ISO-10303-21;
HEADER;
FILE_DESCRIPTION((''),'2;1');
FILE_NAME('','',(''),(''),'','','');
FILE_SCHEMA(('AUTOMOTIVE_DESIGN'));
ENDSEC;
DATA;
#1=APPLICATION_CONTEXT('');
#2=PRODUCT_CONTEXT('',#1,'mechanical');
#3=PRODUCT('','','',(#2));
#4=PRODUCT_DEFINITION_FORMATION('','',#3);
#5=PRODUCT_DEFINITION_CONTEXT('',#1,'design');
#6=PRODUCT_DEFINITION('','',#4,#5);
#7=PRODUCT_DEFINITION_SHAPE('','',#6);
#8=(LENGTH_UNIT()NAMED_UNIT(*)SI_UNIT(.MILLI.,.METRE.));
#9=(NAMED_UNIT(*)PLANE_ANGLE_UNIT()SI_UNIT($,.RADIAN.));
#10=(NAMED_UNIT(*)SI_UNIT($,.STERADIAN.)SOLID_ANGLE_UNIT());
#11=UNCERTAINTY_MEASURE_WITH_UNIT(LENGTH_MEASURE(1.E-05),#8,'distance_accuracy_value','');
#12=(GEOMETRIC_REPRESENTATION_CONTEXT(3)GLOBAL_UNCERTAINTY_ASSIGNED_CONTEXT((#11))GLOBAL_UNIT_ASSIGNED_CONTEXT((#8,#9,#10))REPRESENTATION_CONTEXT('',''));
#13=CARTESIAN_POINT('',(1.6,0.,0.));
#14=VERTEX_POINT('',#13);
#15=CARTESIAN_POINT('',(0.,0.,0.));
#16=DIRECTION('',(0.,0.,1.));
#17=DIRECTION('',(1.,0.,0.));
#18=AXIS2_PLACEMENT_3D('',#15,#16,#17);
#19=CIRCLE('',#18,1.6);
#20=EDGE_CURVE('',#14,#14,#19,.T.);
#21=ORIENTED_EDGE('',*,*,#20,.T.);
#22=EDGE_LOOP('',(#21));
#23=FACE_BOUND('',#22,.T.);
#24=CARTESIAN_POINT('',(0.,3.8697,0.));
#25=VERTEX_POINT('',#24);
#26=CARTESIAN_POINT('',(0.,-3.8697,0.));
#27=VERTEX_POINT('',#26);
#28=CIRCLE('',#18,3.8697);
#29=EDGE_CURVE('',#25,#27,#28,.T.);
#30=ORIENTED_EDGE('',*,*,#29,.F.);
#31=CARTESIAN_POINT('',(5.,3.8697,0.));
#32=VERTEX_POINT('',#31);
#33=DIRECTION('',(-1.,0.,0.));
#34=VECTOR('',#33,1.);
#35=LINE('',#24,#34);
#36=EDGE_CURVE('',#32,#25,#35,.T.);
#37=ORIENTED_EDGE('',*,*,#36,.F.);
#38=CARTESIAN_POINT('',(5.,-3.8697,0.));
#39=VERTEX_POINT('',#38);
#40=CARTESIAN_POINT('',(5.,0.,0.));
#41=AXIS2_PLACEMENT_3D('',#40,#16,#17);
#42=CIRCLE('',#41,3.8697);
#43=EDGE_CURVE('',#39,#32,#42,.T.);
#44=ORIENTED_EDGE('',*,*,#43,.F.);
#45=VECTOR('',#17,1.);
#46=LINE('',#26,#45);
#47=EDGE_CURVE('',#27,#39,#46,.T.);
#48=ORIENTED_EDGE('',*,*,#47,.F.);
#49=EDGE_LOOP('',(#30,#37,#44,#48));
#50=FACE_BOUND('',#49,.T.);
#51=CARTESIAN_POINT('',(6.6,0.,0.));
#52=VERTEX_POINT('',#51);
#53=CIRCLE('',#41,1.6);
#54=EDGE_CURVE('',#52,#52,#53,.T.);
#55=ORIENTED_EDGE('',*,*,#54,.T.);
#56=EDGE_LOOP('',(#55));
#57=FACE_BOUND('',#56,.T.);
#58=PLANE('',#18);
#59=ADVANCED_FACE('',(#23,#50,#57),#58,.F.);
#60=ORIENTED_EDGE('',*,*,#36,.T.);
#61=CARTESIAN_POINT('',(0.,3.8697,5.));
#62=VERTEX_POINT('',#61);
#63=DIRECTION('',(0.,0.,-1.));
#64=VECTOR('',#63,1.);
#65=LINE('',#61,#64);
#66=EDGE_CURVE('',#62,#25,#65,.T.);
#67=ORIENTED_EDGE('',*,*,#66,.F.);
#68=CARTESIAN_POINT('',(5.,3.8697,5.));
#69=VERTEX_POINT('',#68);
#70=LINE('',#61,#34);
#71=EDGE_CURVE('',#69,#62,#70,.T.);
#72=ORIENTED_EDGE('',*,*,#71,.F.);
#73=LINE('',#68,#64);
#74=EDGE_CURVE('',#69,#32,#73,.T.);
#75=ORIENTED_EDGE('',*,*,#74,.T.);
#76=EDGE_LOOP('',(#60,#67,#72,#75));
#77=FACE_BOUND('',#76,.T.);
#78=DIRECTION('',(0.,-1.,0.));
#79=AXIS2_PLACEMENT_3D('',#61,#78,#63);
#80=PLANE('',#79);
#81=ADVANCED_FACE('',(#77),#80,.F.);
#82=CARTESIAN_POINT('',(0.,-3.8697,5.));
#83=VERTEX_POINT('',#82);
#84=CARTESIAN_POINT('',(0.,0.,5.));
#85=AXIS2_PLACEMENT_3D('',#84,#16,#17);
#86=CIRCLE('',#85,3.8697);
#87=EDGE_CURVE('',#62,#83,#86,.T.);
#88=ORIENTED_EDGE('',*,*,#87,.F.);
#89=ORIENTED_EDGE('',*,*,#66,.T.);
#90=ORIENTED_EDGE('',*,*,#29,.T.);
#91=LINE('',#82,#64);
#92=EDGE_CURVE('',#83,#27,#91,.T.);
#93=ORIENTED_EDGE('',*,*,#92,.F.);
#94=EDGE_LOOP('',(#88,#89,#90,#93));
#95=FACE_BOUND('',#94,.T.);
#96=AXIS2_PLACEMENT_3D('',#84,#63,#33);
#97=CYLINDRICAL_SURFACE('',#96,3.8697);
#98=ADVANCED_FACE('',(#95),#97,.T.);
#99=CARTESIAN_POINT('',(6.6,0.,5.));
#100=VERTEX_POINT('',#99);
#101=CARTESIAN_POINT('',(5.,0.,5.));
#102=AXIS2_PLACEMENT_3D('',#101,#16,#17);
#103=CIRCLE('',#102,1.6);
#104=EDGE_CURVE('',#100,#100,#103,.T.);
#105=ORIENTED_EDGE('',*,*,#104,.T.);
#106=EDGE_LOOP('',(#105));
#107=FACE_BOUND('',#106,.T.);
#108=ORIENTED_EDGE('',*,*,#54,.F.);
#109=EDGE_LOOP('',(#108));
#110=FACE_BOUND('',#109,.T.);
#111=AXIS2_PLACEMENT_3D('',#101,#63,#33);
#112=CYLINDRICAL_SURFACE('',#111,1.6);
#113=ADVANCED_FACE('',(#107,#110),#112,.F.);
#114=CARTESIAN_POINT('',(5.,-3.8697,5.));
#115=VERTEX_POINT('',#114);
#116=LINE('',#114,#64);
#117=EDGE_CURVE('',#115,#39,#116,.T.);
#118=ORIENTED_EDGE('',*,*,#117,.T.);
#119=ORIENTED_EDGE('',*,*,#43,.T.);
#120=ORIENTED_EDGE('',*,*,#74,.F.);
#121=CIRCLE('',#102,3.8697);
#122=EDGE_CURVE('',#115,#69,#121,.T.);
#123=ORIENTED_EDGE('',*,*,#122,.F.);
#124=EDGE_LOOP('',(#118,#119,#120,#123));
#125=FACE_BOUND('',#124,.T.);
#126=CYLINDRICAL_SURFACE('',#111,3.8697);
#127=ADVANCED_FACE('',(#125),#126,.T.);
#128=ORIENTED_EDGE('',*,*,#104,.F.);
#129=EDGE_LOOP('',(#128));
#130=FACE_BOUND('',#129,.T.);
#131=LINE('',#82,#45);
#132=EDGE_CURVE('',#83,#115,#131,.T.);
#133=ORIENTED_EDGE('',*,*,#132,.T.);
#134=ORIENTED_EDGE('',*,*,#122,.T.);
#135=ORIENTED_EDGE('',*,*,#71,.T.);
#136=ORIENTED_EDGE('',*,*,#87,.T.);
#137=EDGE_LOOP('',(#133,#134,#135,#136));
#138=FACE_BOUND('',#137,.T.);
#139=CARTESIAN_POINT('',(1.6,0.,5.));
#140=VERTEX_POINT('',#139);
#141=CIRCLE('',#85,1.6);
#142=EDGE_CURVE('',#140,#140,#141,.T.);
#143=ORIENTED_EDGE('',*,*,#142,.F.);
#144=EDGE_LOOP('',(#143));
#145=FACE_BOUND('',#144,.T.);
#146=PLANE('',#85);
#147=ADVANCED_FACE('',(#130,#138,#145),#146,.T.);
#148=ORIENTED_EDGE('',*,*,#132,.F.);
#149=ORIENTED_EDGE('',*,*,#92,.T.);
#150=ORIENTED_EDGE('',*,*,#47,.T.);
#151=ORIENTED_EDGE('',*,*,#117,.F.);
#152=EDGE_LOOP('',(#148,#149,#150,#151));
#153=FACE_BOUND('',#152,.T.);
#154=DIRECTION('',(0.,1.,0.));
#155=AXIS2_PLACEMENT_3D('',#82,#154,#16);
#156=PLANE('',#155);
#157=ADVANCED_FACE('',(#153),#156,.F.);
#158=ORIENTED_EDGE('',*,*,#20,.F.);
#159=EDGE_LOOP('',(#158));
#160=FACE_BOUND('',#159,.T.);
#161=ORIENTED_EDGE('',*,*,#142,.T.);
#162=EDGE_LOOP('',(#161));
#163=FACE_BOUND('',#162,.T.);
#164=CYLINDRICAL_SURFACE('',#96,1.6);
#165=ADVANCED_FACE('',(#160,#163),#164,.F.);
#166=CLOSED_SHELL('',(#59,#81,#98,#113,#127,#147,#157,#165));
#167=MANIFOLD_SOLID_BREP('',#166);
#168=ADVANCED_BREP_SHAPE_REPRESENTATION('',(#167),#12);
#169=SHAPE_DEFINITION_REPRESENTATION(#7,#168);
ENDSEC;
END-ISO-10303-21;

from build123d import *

# Parameters (mm, degrees)
SKETCH_1_R      = 1.6
EXTRUDE_1_DEPTH = 5


with BuildPart() as part:
    # 草图1 → 凸台-拉伸1 (new body)
    with BuildSketch(Plane.XY):
        with BuildLine():
            Line((0, 3.869699764), (5, 3.869699764))
            ThreePointArc((5, 3.869699764), (8.869699764, 0), (5, -3.869699764))
            Line((5, -3.869699764), (0, -3.869699764))
            ThreePointArc((0, -3.869699764), (-3.869699764, 0), (0, 3.869699764))
        make_face()
        Circle(SKETCH_1_R, mode=Mode.SUBTRACT)
        with Locations((5, 0)):
            Circle(SKETCH_1_R, mode=Mode.SUBTRACT)
    extrude(amount=EXTRUDE_1_DEPTH)


solid = part.part
